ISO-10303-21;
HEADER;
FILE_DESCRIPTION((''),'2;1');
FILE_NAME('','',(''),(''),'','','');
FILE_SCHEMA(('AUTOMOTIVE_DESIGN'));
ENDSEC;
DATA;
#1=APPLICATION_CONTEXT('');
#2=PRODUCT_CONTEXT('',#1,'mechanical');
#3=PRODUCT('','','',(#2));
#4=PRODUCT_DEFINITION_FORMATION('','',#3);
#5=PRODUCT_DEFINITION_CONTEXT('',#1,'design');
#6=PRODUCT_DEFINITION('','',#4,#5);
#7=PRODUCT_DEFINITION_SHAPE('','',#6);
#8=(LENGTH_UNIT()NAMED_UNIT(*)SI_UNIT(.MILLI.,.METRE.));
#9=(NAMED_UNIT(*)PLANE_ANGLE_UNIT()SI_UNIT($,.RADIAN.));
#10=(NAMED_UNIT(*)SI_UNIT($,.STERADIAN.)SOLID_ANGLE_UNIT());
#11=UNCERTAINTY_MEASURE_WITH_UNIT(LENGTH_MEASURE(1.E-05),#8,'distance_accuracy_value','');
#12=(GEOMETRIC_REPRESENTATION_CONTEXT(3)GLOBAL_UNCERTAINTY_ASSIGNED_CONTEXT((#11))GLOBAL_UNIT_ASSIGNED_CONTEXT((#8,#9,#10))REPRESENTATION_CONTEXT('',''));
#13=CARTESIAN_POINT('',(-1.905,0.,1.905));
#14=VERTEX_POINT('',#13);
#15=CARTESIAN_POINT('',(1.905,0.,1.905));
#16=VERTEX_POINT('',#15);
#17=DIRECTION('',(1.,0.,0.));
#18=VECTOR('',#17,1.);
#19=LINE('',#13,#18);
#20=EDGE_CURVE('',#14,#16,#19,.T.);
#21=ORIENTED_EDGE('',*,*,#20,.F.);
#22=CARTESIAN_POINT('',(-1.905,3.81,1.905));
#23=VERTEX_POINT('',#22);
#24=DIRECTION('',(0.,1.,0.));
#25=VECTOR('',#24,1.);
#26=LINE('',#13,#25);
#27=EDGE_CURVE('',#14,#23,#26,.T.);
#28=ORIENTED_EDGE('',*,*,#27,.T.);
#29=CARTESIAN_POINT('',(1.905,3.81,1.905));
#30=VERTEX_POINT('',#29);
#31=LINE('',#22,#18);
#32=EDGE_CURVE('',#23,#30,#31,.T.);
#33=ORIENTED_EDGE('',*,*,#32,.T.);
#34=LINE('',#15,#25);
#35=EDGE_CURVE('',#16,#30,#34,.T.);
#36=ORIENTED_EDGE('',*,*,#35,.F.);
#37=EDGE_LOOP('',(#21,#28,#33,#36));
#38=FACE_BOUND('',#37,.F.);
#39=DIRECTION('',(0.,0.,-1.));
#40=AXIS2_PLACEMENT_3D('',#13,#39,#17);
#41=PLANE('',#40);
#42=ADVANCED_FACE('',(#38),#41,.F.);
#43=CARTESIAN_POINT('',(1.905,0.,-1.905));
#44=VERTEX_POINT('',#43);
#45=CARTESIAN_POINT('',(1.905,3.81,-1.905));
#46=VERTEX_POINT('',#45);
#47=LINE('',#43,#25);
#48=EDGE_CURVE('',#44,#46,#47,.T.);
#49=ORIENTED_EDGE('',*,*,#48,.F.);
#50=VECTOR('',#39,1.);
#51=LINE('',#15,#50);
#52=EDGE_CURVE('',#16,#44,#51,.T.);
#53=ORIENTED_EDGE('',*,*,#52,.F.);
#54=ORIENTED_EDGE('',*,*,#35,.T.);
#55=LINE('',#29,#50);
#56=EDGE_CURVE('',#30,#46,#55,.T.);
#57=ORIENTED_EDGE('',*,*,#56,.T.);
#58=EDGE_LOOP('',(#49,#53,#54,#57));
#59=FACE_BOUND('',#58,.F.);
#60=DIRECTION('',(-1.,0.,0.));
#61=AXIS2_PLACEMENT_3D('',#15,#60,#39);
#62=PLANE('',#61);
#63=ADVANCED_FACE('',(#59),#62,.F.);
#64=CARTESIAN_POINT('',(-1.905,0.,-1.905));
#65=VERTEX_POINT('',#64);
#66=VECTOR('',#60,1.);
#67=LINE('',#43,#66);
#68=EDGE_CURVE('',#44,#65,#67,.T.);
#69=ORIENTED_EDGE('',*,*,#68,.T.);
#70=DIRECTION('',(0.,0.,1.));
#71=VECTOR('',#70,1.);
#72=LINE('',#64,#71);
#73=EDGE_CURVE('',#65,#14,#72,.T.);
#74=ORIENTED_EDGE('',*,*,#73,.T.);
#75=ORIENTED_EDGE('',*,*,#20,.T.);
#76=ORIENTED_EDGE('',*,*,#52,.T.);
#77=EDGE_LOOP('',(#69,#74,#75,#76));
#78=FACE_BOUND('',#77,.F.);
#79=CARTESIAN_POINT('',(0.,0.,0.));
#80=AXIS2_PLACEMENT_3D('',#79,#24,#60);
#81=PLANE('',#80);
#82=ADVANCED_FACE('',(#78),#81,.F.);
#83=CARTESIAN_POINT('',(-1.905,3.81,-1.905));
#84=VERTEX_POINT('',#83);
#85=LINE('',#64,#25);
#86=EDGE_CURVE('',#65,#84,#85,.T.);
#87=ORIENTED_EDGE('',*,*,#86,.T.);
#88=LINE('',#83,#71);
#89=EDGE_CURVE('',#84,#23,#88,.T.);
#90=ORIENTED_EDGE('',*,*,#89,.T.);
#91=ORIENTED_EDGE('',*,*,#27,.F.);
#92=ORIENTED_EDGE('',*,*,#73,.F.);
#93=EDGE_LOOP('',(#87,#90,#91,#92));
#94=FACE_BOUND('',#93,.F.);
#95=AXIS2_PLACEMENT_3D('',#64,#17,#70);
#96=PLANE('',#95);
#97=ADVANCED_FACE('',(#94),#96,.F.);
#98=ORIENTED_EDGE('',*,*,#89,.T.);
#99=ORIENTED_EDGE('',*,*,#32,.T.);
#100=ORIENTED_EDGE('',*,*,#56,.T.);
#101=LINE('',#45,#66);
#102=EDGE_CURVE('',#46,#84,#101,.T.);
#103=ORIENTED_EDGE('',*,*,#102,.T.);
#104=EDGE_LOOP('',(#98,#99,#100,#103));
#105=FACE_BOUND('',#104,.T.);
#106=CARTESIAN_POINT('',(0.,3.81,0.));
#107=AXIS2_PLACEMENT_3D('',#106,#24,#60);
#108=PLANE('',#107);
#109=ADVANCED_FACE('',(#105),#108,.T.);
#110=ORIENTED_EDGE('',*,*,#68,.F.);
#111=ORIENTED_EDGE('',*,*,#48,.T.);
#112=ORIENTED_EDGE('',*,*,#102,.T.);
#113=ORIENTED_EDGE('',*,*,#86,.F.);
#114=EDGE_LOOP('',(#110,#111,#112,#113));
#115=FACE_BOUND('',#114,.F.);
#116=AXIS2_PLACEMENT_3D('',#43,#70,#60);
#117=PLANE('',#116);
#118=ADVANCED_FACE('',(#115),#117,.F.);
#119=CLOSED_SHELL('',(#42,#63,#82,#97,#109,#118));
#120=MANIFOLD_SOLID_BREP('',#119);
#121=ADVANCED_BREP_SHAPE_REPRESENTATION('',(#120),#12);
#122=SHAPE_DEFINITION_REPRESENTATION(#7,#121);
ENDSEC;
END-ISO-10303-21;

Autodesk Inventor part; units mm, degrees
ref_plane "YZ Plane" through (0, 0, 0) normal (1, 0, 0) x (0, 1, 0)
ref_plane "XZ Plane" through (0, 0, 0) normal (0, 1, 0) x (-1, 0, 0)
ref_plane "XY Plane" through (0, 0, 0) normal (0, 0, 1) x (1, 0, 0)
sketch "Sketch1" plane through (0, 0, 0) normal (0, 1, 0) x (-1, 0, 0)
  line L0 (1.905, 1.905) -> (-1.905, 1.905)
  line L1 (-1.905, 1.905) -> (-1.905, -1.905)
  line L2 (-1.905, -1.905) -> (1.905, -1.905)
  line L3 (1.905, -1.905) -> (1.905, 1.905)
  point P0 (0, 0)
  dimension "d0" = 3.81
  dimension "d1" = 3.81
  dimension "d2" = 1.905
  dimension "d3" = 1.905
extrude "Extrusion1" add sketch "Sketch1" along normal blind 3.81
properties part number "MC_AT790-1"
